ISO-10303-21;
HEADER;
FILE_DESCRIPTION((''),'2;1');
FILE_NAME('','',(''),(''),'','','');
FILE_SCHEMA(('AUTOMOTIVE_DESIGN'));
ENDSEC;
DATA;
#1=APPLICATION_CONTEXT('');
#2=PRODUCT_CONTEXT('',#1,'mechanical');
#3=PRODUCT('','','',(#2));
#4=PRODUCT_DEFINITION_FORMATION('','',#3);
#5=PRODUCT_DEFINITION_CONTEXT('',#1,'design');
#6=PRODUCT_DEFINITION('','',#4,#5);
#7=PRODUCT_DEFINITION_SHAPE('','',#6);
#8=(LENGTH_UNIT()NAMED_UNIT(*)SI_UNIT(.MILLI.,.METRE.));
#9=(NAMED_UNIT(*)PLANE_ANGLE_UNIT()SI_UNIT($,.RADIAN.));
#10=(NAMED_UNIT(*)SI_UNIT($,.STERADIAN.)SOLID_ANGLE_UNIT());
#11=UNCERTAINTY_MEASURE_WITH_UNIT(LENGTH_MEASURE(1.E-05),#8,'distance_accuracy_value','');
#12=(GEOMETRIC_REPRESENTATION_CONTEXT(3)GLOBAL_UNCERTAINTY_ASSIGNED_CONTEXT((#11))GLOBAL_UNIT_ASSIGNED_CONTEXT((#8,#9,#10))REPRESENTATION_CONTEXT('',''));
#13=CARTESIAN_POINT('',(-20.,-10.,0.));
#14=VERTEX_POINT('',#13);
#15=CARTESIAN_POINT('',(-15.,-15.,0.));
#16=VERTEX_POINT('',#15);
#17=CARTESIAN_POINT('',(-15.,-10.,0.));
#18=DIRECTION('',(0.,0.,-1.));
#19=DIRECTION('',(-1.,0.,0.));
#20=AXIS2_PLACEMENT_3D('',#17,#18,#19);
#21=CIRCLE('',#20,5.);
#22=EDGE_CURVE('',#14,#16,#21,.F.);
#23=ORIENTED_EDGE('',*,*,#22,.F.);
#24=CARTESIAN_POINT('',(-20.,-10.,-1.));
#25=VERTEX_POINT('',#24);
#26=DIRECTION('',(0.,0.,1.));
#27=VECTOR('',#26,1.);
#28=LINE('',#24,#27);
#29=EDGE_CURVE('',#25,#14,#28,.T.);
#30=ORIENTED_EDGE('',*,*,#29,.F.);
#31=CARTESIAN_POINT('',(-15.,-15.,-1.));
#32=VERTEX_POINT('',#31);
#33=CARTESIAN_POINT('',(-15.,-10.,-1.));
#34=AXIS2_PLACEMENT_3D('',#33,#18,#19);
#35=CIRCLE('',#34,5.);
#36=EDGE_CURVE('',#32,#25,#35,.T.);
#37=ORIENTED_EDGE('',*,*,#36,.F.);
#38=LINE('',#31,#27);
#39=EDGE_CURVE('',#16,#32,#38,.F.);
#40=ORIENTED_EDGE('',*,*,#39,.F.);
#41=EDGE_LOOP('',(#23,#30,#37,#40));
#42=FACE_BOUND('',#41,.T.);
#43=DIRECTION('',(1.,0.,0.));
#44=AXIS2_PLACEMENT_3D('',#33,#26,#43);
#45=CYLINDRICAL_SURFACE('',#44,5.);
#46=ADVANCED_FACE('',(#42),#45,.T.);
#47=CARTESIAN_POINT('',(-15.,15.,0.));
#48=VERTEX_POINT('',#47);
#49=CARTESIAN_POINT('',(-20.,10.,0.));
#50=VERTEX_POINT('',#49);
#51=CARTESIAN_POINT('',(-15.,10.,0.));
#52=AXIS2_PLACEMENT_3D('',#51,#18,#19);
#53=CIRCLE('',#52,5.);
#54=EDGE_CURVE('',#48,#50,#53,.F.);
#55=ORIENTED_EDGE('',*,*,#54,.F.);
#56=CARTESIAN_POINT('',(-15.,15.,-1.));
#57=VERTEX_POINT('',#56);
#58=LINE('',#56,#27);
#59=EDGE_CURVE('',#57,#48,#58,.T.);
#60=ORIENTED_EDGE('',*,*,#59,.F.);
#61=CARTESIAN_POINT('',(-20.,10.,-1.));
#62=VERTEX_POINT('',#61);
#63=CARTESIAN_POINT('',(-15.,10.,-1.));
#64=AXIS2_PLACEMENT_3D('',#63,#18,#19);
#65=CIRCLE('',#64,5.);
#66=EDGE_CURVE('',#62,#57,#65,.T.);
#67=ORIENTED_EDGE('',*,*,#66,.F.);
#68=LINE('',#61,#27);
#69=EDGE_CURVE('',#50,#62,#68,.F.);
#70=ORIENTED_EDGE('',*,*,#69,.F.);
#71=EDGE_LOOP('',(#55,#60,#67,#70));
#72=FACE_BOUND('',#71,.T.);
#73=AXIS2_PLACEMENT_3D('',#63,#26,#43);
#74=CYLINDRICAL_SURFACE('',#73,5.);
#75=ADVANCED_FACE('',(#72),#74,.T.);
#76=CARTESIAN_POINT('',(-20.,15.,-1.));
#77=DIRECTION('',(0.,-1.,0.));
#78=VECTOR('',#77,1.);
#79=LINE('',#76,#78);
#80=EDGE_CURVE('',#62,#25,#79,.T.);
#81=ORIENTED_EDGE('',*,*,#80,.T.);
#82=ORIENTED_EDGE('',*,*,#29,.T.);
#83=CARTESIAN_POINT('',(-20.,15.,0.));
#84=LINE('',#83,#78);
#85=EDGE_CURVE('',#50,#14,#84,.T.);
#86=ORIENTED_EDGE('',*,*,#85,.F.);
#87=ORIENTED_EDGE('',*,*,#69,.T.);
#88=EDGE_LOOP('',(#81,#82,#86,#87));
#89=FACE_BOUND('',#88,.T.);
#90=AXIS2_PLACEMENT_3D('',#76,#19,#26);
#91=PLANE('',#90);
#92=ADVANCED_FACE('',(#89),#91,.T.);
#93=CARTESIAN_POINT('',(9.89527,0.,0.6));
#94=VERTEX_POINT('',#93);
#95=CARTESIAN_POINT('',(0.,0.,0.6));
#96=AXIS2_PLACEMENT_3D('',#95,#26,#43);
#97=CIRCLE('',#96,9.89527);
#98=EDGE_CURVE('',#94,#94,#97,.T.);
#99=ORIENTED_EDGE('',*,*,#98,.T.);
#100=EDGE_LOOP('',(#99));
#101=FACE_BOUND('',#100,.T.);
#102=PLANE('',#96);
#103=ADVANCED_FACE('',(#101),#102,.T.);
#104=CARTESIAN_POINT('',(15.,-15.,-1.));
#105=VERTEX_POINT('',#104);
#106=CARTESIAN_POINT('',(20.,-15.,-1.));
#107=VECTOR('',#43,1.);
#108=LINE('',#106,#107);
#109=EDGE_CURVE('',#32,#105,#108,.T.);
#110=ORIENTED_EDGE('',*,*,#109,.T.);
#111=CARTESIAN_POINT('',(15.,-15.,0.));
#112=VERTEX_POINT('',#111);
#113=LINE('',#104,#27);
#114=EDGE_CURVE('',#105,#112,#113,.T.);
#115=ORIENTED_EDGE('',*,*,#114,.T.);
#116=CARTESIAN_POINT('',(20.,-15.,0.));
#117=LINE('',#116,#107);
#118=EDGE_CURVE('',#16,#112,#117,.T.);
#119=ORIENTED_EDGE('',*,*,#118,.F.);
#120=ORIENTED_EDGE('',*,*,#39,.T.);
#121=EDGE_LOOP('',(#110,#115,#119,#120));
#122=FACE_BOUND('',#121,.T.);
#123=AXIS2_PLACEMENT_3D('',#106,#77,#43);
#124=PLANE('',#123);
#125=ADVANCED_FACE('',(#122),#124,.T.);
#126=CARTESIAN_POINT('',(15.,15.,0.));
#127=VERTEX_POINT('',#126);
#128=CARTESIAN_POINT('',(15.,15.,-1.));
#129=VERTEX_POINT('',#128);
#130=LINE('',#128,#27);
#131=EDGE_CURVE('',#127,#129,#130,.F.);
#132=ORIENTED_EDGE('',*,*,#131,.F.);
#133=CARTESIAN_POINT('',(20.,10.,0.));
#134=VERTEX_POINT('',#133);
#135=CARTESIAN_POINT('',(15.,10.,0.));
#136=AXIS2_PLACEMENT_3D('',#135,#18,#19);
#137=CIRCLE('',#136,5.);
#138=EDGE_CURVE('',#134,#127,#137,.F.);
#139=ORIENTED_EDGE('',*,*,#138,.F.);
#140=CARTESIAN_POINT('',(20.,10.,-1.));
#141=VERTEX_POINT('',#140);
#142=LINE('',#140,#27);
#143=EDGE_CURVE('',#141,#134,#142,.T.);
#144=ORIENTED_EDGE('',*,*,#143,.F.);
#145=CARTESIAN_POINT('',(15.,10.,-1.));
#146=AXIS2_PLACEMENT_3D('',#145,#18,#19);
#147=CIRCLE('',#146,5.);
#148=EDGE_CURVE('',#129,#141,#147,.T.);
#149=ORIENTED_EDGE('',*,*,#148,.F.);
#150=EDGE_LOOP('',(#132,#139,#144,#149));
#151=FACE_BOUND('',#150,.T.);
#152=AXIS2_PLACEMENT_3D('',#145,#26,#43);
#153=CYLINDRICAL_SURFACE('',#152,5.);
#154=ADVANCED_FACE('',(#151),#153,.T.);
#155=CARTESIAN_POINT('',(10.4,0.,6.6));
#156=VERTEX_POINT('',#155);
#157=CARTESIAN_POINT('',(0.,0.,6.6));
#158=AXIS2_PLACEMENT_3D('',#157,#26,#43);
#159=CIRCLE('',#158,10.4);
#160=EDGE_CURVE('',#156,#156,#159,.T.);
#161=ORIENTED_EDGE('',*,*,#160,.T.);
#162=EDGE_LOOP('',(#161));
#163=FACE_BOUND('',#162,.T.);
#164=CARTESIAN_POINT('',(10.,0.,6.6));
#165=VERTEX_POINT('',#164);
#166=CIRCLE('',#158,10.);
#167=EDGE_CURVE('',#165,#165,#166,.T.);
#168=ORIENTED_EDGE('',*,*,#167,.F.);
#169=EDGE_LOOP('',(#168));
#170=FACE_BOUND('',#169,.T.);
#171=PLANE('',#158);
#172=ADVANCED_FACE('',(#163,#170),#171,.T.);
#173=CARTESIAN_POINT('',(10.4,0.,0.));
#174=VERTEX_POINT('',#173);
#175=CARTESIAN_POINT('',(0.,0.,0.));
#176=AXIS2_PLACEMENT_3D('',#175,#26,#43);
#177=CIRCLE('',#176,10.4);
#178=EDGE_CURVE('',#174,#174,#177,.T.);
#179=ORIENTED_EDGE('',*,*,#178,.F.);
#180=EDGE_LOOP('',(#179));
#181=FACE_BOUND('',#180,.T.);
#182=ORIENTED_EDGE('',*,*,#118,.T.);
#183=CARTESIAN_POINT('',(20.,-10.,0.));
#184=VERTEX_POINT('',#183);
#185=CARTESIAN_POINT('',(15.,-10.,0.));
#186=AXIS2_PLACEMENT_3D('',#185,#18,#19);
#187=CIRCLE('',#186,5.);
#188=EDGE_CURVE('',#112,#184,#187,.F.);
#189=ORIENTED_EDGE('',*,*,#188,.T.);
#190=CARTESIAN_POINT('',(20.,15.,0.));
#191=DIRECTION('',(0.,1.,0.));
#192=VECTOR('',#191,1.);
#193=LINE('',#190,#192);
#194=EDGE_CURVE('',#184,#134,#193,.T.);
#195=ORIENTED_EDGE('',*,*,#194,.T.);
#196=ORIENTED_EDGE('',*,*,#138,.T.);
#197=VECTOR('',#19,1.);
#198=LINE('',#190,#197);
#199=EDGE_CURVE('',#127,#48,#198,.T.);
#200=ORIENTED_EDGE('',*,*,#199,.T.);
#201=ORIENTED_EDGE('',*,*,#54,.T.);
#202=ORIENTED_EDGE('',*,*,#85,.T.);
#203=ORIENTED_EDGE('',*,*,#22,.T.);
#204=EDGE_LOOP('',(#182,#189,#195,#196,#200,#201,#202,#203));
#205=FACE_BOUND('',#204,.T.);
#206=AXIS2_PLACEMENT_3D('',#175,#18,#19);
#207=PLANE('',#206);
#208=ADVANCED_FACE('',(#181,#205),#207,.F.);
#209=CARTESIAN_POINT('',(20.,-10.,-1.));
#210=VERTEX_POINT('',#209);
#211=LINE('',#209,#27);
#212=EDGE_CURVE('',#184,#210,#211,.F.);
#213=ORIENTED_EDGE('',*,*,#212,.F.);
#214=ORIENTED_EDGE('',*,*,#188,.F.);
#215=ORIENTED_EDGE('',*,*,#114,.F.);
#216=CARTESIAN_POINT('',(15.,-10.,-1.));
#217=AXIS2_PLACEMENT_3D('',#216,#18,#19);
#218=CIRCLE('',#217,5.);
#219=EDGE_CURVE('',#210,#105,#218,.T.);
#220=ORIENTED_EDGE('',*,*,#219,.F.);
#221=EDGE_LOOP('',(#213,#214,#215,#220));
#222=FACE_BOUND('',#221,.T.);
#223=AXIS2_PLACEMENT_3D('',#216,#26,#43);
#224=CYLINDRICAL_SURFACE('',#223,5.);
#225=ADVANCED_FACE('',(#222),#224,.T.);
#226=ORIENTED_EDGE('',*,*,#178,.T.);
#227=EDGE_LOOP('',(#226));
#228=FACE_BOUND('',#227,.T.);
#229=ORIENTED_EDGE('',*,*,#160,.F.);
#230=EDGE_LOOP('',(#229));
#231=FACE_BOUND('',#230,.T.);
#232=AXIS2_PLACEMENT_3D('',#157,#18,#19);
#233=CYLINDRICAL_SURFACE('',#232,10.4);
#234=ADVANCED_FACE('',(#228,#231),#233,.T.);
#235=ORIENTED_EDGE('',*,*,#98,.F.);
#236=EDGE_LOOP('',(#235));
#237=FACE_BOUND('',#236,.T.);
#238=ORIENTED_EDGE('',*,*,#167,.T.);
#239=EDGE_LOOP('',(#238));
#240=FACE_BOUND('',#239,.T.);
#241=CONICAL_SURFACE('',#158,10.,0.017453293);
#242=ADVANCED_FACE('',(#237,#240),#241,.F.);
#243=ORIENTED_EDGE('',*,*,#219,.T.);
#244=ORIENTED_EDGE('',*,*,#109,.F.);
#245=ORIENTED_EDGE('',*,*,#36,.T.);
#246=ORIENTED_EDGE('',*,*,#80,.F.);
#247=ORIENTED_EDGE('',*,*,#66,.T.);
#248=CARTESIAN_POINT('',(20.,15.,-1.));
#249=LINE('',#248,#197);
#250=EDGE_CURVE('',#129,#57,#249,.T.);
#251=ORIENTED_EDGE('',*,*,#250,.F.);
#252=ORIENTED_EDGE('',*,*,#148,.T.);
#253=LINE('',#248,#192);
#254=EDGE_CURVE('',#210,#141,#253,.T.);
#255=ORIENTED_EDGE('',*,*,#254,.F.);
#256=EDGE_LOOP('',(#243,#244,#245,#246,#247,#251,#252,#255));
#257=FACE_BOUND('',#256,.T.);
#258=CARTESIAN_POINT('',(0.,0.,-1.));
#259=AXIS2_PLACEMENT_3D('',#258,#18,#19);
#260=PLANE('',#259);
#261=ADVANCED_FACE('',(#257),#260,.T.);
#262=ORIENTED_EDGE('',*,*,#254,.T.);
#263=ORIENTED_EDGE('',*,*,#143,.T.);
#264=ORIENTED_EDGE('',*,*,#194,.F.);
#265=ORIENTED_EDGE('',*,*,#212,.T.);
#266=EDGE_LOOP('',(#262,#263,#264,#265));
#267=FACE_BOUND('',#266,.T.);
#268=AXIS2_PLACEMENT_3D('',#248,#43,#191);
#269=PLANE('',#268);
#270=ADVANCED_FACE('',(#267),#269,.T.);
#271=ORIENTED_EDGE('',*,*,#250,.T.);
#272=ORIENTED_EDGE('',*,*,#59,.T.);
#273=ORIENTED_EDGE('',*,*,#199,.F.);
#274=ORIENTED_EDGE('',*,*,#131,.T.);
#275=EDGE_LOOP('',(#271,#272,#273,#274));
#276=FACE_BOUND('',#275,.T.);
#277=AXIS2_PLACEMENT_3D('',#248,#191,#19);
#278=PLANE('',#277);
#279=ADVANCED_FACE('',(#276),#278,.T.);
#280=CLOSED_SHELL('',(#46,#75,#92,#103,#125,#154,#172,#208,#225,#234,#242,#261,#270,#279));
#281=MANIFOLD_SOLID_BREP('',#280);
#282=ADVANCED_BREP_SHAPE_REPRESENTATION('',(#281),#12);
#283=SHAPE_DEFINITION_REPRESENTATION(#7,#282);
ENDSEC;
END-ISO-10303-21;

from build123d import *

# Parameters (mm, degrees)
ESQUISSE1_R             = 10.4
BOSS_EXTRU_1_DEPTH      = 6.6
ESQUISSE2_R             = 10
ENL_V_MAT_EXTRU_1_DEPTH = 6
ENL_V_MAT_EXTRU_1_TAPER = 1
ESQUISSE3_W             = 40
ESQUISSE3_H             = 30
BOSS_EXTRU_2_DEPTH      = 1
CONG_1_R                = 5


with BuildPart() as part:
    # Esquisse1 → Boss.-Extru.1 (new body)
    with BuildSketch(Plane.XY):
        Circle(ESQUISSE1_R)
    extrude(amount=BOSS_EXTRU_1_DEPTH)

    # Esquisse2 → Enlèv. mat.-Extru.1 (cut)
    with BuildSketch(Plane.XY.offset(6.6)):
        Circle(ESQUISSE2_R)
    extrude(amount=-ENL_V_MAT_EXTRU_1_DEPTH, taper=ENL_V_MAT_EXTRU_1_TAPER, mode=Mode.SUBTRACT)

    # Esquisse3 → Boss.-Extru.2 (add)
    with BuildSketch(Plane.XY):
        Rectangle(ESQUISSE3_W, ESQUISSE3_H)
    extrude(amount=-BOSS_EXTRU_2_DEPTH)

    # Congé1
    cong_1_edges = [part.edges().sort_by_distance(p)[0] for p in [
        (-20, -15, -0.5),
        (-20, 15, -0.5),
        (20, 15, -0.5),
        (20, -15, -0.5),
    ]]
    fillet(cong_1_edges, radius=CONG_1_R)


solid = part.part
